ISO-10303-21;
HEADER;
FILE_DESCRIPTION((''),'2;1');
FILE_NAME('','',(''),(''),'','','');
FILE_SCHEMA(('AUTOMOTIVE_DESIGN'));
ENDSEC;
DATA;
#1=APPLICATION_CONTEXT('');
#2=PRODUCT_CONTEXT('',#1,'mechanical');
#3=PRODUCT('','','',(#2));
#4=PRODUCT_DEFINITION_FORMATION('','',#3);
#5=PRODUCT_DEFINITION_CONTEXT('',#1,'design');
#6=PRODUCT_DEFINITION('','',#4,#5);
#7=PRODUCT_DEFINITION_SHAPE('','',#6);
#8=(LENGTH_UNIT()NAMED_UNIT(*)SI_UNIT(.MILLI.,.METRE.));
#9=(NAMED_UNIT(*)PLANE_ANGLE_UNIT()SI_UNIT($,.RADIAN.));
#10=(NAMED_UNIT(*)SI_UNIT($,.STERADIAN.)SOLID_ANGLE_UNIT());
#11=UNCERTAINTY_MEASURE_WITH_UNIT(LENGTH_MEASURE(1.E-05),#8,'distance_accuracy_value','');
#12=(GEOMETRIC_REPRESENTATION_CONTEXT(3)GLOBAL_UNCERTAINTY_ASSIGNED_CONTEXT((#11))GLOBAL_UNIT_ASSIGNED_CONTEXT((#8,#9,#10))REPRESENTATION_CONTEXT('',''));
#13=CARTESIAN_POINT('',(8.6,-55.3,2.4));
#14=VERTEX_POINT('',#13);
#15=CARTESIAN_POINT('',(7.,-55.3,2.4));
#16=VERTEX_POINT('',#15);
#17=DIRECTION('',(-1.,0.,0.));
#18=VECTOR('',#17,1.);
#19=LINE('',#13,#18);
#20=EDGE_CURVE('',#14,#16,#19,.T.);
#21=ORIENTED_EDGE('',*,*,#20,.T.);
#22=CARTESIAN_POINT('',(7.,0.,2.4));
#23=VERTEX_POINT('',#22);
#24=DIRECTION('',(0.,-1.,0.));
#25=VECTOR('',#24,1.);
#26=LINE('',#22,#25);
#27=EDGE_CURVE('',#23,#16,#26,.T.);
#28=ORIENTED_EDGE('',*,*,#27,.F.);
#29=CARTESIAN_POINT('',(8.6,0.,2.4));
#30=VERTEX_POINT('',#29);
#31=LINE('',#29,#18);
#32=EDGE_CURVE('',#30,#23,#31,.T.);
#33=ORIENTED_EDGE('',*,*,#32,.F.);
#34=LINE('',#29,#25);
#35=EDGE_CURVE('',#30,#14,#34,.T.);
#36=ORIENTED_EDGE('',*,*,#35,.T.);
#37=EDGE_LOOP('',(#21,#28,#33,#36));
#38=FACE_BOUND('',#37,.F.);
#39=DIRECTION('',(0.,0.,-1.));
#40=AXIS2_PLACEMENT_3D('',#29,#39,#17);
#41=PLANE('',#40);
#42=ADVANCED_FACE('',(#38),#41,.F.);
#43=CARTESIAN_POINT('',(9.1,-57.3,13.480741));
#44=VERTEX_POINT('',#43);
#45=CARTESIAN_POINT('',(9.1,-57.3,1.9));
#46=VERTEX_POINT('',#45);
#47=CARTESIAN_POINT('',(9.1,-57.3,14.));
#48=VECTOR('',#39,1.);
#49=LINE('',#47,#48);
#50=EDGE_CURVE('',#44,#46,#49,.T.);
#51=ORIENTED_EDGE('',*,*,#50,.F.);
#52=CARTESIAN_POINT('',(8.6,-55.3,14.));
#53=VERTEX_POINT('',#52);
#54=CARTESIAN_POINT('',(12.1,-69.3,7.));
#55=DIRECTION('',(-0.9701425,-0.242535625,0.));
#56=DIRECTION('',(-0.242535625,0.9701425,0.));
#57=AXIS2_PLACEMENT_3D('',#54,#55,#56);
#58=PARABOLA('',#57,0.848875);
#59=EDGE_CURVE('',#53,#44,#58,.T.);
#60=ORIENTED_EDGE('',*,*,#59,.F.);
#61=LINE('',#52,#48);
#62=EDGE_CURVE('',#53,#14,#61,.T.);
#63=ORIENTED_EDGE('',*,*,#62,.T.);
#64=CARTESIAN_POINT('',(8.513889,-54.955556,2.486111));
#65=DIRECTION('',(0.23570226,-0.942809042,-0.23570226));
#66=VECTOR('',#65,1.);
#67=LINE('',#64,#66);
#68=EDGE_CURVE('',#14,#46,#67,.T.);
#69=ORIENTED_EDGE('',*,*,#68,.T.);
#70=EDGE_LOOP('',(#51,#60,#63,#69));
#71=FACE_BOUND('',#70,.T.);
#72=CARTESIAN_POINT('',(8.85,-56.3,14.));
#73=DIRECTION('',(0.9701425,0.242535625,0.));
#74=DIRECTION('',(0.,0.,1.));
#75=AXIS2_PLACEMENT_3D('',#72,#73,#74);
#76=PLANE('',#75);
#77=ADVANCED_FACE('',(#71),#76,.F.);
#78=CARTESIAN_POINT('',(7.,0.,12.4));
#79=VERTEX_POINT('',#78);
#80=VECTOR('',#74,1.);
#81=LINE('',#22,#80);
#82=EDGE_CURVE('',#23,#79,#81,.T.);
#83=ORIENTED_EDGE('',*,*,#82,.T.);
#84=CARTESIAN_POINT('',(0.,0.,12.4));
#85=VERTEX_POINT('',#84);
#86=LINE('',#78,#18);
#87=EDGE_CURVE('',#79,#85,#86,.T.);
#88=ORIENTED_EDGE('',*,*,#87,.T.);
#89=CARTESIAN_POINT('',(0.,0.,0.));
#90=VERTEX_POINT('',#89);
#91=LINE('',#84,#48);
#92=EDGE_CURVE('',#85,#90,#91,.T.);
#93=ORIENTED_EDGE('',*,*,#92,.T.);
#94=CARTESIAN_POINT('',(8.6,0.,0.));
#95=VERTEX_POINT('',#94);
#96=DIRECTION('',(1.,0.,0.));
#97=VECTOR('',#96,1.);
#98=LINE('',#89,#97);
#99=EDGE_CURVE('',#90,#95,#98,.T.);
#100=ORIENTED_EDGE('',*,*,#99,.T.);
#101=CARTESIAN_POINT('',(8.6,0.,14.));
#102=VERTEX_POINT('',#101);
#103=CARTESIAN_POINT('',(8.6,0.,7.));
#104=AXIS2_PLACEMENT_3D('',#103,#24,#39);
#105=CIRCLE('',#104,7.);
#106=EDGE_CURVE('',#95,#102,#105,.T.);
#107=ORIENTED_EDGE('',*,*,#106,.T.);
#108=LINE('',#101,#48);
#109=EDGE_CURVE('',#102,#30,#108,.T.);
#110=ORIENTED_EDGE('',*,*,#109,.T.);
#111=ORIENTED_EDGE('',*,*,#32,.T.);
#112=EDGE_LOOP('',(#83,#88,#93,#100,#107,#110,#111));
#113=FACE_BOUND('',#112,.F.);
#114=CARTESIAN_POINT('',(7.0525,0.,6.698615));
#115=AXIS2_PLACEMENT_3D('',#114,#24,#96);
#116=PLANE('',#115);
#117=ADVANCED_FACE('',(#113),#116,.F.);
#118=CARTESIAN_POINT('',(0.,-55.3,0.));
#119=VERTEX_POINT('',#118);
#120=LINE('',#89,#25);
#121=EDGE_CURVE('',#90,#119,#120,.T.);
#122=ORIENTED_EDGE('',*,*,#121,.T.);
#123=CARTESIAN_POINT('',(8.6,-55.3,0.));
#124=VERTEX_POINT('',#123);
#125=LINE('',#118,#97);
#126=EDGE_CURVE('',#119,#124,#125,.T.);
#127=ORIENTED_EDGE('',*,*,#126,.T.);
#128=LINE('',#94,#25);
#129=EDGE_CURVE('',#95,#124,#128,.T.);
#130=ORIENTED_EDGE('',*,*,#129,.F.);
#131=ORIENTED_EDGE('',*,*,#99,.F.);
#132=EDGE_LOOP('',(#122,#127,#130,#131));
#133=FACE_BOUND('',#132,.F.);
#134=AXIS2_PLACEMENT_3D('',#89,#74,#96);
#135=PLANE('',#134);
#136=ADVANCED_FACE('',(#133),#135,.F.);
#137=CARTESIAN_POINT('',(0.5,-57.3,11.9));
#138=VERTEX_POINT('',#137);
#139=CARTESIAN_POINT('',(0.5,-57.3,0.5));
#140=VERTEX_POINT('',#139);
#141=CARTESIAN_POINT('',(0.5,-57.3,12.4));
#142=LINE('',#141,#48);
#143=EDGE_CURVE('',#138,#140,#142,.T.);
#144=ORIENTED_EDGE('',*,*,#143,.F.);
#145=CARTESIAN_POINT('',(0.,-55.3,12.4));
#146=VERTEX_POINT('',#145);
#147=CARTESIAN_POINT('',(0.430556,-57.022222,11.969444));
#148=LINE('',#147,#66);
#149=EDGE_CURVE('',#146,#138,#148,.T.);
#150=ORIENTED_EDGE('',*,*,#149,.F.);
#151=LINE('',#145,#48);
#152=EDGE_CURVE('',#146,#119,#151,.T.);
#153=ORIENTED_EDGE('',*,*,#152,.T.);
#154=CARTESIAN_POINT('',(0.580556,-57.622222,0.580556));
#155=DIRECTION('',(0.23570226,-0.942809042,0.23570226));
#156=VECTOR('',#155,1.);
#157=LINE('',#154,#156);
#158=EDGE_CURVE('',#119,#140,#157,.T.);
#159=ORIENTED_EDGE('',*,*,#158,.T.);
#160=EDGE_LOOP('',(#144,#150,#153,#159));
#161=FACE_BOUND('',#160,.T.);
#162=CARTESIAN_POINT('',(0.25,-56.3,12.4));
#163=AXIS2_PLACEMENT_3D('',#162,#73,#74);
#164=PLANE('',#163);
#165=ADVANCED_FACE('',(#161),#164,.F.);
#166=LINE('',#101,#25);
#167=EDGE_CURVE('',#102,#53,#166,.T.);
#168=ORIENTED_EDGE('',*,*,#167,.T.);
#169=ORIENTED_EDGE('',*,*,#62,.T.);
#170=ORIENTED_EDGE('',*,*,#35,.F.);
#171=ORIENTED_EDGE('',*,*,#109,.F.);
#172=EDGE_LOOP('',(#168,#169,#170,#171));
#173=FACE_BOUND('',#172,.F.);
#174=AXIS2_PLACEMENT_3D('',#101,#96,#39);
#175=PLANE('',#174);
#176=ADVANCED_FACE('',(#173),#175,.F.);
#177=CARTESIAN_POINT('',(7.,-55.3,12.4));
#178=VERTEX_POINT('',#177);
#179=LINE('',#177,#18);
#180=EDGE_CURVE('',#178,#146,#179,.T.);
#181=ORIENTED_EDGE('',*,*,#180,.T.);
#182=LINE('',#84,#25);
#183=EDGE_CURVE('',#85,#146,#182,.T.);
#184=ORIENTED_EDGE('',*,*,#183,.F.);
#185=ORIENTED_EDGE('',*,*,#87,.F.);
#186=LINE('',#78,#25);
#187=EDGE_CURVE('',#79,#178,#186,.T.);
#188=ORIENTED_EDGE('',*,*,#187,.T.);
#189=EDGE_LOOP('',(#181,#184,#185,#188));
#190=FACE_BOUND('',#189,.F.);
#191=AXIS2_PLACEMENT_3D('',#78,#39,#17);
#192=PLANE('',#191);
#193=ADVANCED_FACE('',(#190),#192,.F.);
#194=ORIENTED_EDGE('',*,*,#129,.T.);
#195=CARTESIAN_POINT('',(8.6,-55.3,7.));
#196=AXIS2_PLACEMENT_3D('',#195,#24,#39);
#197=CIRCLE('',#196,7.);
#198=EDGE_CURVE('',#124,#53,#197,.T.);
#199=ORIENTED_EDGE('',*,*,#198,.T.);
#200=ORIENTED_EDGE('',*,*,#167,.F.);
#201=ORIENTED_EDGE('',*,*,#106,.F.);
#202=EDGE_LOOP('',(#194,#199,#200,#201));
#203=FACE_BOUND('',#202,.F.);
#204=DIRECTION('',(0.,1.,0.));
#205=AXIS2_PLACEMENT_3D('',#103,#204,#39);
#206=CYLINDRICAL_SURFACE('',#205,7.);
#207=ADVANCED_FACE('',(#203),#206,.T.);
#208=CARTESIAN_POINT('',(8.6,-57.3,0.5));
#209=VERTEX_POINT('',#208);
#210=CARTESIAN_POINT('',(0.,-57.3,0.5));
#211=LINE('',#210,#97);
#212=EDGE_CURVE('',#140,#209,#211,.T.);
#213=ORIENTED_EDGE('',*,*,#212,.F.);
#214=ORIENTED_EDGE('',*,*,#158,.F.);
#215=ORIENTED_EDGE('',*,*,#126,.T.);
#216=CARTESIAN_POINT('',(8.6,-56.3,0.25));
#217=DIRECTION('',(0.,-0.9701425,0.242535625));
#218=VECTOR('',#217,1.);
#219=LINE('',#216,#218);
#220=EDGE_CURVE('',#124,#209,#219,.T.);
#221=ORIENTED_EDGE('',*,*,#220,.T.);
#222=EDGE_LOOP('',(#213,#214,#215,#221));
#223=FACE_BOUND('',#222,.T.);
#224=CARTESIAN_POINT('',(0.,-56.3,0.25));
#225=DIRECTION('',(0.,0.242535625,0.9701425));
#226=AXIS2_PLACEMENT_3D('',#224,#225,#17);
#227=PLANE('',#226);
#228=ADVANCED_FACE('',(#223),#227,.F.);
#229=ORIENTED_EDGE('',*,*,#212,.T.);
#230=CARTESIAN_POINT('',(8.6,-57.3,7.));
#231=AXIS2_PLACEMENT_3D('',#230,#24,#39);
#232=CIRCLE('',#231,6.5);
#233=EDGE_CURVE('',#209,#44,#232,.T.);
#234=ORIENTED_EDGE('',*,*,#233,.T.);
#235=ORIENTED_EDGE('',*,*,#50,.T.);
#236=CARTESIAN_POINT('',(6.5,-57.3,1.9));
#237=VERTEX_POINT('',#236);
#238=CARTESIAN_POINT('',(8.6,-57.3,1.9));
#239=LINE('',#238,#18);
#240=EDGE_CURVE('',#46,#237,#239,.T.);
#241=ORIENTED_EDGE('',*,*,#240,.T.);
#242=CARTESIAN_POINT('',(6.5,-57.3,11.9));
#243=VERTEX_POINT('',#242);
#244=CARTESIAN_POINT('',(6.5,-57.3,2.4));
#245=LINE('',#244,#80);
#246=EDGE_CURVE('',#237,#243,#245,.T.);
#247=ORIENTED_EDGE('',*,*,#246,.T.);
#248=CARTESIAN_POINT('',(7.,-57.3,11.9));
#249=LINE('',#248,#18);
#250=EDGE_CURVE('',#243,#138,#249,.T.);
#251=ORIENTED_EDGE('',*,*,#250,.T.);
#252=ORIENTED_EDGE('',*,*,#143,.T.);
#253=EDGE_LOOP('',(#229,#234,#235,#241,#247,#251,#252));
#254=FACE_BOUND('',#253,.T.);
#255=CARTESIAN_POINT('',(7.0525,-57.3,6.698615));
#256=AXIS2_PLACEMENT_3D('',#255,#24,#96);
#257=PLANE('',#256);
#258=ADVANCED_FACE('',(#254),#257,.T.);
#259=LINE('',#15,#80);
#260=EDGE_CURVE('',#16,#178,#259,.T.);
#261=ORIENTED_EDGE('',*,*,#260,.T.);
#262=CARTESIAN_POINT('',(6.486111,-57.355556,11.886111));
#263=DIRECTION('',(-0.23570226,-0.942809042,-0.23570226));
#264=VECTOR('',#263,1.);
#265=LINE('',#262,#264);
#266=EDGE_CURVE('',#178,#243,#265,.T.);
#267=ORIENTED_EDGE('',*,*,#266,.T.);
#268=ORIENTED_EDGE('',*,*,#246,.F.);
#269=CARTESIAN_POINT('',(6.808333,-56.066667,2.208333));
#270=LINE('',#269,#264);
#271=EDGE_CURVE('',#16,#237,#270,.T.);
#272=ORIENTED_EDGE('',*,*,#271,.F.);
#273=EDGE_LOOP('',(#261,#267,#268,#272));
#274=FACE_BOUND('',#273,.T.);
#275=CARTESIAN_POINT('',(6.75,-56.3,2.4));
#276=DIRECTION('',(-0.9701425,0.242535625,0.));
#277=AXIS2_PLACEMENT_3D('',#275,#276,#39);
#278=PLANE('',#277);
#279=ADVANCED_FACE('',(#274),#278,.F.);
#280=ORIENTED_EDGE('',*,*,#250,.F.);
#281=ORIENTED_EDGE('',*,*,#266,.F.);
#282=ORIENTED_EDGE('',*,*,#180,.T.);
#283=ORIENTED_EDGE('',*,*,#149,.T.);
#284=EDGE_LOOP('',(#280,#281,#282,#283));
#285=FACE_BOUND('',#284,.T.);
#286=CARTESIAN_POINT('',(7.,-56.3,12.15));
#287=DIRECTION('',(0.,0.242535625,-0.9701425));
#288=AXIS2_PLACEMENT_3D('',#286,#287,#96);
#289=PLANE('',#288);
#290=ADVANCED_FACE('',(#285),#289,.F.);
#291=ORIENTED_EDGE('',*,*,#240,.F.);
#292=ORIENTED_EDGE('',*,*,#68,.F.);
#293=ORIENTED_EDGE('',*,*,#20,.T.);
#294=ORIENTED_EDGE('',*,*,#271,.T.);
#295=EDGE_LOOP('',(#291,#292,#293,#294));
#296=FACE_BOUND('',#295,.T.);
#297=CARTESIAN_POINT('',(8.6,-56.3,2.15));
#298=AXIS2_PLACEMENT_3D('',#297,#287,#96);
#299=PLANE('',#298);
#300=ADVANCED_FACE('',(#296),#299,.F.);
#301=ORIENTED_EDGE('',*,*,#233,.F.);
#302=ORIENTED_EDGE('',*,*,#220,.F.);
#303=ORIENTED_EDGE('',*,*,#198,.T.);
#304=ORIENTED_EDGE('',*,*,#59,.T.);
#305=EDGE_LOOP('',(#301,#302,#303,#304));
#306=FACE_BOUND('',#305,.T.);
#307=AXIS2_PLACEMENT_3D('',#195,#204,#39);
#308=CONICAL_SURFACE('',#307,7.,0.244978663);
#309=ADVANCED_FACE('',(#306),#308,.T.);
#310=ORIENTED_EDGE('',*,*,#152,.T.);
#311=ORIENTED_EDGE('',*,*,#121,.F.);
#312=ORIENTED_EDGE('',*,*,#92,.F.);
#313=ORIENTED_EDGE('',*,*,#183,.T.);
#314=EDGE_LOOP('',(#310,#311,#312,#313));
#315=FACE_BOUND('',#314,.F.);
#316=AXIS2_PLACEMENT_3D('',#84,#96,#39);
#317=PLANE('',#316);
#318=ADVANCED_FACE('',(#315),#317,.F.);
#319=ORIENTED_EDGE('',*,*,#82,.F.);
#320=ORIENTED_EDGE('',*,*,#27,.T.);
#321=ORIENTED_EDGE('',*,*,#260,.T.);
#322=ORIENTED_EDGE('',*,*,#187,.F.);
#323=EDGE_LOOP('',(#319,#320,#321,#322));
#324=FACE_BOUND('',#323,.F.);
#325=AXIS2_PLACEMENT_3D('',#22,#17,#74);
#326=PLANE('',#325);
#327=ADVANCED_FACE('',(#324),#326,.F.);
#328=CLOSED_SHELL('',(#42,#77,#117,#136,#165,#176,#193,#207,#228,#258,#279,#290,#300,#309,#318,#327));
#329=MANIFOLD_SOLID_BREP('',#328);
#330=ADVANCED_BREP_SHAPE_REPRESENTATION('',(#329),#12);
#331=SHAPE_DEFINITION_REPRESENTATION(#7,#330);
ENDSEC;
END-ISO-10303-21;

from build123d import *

# Parameters (mm, degrees)
F1_DEPTH = 57.3
F2_SIZE2 = 0.5
F2_SIZE  = 2


with BuildPart() as f1:
    # F0 (on Front) → F1 (new body)
    with BuildSketch(Plane.XZ):
        with BuildLine():
            Line((0, 12.4), (0, 0))
            Line((0, 0), (8.6, 0))
            ThreePointArc((8.6, 0), (15.6, 7), (8.6, 14))
            Line((8.6, 14), (8.6, 2.4))
            Line((8.6, 2.4), (7, 2.4))
            Line((7, 2.4), (7, 12.4))
            Line((7, 12.4), (0, 12.4))
        make_face()
    extrude(amount=F1_DEPTH)

    # F2
    f2_edges = [f1.edges().sort_by_distance(p)[0] for p in [
        (7, -57.3, 7.4),
        (3.5, -57.3, 12.4),
        (0, -57.3, 6.2),
        (4.3, -57.3, 0),
        (15.6, -57.3, 7),
        (8.6, -57.3, 8.2),
        (7.8, -57.3, 2.4),
    ]]
    chamfer(f2_edges, length=F2_SIZE, length2=F2_SIZE2)


solid = f1.part
